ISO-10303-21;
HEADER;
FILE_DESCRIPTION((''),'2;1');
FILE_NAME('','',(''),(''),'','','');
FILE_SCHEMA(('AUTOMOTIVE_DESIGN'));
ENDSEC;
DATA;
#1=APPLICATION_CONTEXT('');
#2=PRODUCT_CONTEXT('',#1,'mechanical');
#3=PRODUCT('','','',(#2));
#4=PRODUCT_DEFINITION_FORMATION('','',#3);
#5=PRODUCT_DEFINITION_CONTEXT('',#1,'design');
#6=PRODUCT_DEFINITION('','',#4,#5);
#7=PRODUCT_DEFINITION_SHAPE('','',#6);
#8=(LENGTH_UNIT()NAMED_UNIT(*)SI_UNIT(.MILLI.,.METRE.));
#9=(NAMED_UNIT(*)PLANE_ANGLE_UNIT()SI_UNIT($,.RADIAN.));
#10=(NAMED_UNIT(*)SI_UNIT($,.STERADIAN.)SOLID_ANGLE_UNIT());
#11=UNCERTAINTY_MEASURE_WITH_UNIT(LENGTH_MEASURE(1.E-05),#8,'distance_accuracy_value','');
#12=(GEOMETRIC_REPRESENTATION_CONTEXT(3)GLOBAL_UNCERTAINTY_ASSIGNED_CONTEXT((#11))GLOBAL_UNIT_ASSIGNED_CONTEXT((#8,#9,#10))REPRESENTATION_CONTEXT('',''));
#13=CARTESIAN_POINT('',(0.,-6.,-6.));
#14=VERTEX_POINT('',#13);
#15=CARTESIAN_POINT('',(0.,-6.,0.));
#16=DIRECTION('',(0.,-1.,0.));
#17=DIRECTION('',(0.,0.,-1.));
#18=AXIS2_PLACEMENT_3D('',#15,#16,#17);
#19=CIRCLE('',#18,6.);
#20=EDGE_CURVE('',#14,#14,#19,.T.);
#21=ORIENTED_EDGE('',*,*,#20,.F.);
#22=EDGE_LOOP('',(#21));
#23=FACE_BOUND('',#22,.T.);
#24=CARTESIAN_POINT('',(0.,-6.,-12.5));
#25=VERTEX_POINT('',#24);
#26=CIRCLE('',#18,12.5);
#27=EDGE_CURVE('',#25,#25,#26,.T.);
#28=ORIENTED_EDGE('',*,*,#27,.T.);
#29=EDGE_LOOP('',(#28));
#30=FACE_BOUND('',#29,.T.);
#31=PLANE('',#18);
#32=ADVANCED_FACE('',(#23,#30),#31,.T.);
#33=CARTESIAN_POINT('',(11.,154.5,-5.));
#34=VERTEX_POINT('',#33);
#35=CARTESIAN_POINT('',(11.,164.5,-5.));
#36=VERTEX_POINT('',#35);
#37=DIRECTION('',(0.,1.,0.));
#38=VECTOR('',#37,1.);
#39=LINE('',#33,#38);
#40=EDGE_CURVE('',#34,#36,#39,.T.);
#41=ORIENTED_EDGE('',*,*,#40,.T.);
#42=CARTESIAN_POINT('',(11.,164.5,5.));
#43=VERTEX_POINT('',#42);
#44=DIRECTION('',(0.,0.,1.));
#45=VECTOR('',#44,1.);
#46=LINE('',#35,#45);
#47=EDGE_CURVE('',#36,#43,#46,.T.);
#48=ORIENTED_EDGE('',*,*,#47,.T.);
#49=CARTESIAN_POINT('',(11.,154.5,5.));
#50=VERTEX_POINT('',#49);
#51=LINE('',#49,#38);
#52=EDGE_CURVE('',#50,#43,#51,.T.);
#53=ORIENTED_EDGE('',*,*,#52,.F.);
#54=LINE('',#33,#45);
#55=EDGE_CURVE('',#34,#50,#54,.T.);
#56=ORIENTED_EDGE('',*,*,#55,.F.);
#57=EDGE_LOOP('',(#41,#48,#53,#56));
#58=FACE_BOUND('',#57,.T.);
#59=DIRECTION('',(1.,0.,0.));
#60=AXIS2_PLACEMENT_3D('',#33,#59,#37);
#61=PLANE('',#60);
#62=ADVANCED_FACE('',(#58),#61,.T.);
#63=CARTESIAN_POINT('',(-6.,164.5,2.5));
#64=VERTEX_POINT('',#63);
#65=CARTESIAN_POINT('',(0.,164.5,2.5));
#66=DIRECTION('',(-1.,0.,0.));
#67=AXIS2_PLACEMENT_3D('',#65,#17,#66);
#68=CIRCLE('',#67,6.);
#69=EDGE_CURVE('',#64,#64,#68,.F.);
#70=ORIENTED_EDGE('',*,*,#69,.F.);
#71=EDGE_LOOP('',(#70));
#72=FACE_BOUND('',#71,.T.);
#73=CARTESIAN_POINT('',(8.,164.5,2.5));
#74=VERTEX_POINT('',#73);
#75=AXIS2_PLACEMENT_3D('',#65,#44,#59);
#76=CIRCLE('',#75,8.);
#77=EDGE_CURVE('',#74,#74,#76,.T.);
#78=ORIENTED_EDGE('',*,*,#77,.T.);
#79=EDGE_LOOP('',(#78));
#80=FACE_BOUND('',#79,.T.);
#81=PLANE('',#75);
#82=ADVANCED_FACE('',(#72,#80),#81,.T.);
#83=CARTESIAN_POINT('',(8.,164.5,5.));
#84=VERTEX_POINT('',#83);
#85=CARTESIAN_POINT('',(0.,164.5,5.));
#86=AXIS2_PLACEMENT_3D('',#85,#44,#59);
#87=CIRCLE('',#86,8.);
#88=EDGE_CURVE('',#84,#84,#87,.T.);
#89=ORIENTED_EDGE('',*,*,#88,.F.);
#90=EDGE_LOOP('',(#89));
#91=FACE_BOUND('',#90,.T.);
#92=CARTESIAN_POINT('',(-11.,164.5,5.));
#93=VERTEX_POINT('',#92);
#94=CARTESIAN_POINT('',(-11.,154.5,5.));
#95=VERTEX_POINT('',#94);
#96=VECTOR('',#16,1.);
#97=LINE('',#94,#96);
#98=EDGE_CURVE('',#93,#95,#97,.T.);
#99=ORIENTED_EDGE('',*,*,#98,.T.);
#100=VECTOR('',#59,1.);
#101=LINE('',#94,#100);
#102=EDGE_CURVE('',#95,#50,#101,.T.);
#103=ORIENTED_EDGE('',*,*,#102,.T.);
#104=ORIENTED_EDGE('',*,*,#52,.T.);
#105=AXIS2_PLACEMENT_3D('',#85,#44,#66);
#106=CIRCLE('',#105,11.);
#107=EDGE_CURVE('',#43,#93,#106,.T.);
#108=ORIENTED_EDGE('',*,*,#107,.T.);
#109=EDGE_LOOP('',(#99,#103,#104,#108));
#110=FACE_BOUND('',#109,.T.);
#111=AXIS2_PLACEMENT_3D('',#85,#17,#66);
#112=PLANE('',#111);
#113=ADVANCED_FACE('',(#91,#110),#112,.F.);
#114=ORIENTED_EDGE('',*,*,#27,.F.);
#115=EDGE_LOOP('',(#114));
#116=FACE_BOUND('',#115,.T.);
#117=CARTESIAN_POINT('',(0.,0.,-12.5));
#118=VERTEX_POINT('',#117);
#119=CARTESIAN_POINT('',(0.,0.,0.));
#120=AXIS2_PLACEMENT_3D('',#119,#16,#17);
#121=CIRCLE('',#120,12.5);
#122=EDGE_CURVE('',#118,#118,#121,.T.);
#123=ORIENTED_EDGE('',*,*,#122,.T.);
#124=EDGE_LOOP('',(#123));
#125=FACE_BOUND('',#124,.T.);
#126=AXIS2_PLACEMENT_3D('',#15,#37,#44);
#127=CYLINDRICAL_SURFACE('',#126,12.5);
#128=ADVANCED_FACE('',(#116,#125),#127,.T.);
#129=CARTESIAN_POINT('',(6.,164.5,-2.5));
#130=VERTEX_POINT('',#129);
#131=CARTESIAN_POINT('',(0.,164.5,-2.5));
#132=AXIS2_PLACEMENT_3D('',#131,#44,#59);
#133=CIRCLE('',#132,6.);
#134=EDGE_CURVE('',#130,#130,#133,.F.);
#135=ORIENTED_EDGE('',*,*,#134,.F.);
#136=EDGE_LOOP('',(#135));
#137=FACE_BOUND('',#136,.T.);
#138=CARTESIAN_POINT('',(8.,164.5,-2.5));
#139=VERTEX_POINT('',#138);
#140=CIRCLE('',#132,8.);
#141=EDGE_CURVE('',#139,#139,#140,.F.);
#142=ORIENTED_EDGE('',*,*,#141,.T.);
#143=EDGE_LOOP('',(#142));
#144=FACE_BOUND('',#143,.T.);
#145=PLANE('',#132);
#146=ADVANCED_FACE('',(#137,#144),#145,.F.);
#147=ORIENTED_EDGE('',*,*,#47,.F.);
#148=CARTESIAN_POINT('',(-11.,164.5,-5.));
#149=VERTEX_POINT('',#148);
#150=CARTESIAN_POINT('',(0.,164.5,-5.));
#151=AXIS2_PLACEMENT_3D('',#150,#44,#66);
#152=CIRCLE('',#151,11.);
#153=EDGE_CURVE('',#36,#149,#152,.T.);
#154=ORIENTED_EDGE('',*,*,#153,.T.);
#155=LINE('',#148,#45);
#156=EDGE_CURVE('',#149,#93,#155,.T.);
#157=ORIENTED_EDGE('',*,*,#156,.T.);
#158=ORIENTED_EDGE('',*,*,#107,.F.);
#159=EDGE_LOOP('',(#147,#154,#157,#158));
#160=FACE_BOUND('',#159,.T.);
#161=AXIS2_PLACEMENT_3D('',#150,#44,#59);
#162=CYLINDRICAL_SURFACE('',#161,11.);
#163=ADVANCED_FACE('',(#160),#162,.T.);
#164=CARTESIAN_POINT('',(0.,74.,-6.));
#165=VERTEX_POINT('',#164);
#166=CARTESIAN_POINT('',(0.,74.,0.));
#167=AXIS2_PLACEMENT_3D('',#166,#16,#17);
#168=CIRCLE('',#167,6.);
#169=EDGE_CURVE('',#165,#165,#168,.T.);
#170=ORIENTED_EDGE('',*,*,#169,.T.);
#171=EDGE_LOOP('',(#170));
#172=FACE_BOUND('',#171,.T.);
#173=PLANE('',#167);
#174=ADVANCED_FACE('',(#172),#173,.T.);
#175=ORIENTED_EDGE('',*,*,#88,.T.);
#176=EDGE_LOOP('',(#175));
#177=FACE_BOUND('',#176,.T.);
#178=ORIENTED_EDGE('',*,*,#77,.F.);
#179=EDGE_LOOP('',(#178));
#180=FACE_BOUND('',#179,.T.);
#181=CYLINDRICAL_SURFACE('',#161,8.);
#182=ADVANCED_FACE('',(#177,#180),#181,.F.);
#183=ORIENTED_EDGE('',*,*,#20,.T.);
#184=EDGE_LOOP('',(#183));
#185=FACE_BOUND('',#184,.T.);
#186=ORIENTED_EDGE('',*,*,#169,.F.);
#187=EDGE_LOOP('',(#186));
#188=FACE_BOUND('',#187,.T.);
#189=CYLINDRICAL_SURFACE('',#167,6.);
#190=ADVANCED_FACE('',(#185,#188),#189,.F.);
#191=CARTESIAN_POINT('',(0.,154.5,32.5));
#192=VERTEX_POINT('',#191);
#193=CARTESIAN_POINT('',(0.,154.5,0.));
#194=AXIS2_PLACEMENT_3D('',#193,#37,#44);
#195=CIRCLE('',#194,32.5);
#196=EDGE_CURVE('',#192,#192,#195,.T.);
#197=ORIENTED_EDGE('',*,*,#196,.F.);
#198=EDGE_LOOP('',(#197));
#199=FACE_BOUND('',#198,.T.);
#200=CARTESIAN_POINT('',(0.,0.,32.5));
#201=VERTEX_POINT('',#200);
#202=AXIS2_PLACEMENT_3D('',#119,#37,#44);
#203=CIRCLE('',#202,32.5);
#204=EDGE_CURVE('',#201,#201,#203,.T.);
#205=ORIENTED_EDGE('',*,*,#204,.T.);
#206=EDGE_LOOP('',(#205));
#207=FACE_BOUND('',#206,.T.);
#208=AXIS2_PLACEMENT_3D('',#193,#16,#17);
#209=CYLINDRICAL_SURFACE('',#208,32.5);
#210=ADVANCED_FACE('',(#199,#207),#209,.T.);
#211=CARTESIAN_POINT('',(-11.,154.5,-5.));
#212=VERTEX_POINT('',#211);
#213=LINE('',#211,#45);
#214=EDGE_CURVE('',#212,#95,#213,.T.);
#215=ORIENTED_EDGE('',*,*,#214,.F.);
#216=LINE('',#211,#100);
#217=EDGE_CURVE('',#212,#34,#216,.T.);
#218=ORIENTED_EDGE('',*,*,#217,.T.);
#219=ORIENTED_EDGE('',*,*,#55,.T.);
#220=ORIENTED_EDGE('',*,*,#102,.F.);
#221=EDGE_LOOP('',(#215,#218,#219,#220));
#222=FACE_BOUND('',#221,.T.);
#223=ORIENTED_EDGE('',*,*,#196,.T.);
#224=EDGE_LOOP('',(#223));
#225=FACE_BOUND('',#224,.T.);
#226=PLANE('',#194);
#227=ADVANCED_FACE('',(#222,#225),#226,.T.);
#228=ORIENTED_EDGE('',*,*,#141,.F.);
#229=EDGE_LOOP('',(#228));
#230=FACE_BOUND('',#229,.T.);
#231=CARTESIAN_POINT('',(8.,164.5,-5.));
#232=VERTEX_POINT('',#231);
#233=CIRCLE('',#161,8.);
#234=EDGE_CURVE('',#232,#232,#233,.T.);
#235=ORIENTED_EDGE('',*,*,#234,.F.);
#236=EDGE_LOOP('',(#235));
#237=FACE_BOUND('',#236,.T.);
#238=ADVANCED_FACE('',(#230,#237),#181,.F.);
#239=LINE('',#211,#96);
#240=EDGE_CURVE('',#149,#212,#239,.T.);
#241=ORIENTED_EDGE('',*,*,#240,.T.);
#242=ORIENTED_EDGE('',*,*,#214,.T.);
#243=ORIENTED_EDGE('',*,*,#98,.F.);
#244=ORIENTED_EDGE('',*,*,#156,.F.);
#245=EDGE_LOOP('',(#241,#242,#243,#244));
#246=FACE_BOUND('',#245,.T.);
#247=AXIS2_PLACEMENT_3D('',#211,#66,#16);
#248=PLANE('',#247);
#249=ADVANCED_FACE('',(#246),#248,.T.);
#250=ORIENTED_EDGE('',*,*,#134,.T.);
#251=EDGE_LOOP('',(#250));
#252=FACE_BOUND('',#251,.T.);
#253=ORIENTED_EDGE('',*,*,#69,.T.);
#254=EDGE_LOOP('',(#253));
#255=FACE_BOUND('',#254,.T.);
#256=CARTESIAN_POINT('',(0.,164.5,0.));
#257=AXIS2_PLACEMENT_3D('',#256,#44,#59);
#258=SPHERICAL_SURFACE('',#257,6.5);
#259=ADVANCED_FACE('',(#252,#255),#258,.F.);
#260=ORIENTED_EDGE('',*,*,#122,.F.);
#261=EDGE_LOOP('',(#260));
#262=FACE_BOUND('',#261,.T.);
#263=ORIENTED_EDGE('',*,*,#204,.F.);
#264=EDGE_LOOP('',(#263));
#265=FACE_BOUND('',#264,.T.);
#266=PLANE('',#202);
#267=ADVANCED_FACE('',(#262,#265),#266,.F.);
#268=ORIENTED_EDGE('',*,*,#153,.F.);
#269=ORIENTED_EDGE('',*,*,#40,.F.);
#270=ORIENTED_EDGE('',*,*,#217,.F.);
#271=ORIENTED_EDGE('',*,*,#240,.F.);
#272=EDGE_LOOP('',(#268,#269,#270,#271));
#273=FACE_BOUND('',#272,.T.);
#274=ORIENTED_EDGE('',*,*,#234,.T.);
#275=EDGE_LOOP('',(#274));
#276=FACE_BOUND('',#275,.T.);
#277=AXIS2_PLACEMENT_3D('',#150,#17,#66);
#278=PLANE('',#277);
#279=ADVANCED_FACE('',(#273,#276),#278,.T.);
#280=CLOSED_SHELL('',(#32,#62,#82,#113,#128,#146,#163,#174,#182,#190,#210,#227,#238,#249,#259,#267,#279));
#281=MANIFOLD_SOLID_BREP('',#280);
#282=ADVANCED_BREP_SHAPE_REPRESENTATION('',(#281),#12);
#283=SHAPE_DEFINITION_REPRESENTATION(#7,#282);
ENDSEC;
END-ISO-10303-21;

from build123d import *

# Parameters (mm, degrees)
SKETCH_1_R          = 32.5
EXTRUDE_1_DEPTH     = 154.5
SKETCH_2_R          = 12.5
EXTRUDE_2_DEPTH     = 6
SKETCH_3_R          = 6
CUT_EXTRUDE_1_DEPTH = 80
SKETCH_4_R          = 8
EXTRUDE_3_DEPTH     = 5
SKETCH_5_R          = 8
EXTRUDE_4_DEPTH     = 2.5
SKETCH_8_R          = 4
SKETCH_7_R          = 6
SKETCH_9_R          = 2.5
CUT_EXTRUDE_2_DEPTH = 31
SKETCH_10_R         = 6
CUT_EXTRUDE_3_DEPTH = 17


with BuildPart() as part:
    # 草图1 → 凸台-拉伸1 (new body)
    with BuildSketch(Plane(origin=(0, 0, 0), x_dir=(1, 0, 0), z_dir=(0, 1, 0))):
        with Locations(Location((0, 0, 0), (0, 0, 270))):
            Circle(SKETCH_1_R)
    extrude(amount=EXTRUDE_1_DEPTH)

    # 草图2 → 凸台-拉伸2 (add)
    with BuildSketch(Plane.XZ):
        with Locations(Location((0, 0, 0), (0, 0, 270))):
            Circle(SKETCH_2_R)
    extrude(amount=EXTRUDE_2_DEPTH)

    # 草图3 → 切除-拉伸1 (cut)
    with BuildSketch(Plane.XZ.offset(6)):
        with Locations(Location((0, 0, 0), (0, 0, 270))):
            Circle(SKETCH_3_R)
    extrude(amount=-CUT_EXTRUDE_1_DEPTH, mode=Mode.SUBTRACT)

    # 草图4 → 凸台-拉伸3 (add, symmetric)
    with BuildSketch(Plane.XY):
        with BuildLine():
            Line((-11, 154.5), (11, 154.5))
            Line((11, 154.5), (11, 164.5))
            ThreePointArc((11, 164.5), (0, 175.5), (-11, 164.5))
            Line((-11, 164.5), (-11, 154.5))
        make_face()
        with Locations((0, 164.5)):
            Circle(SKETCH_4_R, mode=Mode.SUBTRACT)
    extrude(amount=EXTRUDE_3_DEPTH, both=True)

    # 草图5 → 凸台-拉伸4 (add, symmetric)
    with BuildSketch(Plane.XY):
        with Locations((0, 164.5)):
            Circle(SKETCH_5_R)
    extrude(amount=EXTRUDE_4_DEPTH, both=True)

    # 草图8 → 放样1 section 0
    with BuildSketch(Plane.XY.offset(4.5)):
        with Locations((0, 164.5)):
            Circle(SKETCH_8_R)
    # 草图7 → 放样1 section 1
    with BuildSketch(Plane.XY.offset(2.5)):
        with Locations((0, 164.5)):
            Circle(SKETCH_7_R)
    loft_1 = loft()

    # 镜向1: 放样1 across plane
    add(loft_1.mirror(Plane.XY))

    # 草图9 → 切除-拉伸2 (cut)
    with BuildSketch(Plane.XY.offset(4.5)):
        with Locations((0, 166.761335751)):
            Circle(SKETCH_9_R)
    extrude(amount=-CUT_EXTRUDE_2_DEPTH, mode=Mode.SUBTRACT)

    # 草图10 → 切除-拉伸3 (cut)
    with BuildSketch(Plane.XY.offset(4.5)):
        with Locations((0, 164.5)):
            Circle(SKETCH_10_R)
    extrude(amount=-CUT_EXTRUDE_3_DEPTH, mode=Mode.SUBTRACT)

    # 草图11 → 切除-旋转1 (revolve, cut)
    with BuildSketch(Plane.XY):
        with BuildLine():
            Line((0, 171), (0, 158))
            ThreePointArc((0, 158), (6.5, 164.5), (0, 171))
        make_face()
    revolve(axis=Axis((0, 171, 0), (0, -1, 0)), mode=Mode.SUBTRACT)


solid = part.part
